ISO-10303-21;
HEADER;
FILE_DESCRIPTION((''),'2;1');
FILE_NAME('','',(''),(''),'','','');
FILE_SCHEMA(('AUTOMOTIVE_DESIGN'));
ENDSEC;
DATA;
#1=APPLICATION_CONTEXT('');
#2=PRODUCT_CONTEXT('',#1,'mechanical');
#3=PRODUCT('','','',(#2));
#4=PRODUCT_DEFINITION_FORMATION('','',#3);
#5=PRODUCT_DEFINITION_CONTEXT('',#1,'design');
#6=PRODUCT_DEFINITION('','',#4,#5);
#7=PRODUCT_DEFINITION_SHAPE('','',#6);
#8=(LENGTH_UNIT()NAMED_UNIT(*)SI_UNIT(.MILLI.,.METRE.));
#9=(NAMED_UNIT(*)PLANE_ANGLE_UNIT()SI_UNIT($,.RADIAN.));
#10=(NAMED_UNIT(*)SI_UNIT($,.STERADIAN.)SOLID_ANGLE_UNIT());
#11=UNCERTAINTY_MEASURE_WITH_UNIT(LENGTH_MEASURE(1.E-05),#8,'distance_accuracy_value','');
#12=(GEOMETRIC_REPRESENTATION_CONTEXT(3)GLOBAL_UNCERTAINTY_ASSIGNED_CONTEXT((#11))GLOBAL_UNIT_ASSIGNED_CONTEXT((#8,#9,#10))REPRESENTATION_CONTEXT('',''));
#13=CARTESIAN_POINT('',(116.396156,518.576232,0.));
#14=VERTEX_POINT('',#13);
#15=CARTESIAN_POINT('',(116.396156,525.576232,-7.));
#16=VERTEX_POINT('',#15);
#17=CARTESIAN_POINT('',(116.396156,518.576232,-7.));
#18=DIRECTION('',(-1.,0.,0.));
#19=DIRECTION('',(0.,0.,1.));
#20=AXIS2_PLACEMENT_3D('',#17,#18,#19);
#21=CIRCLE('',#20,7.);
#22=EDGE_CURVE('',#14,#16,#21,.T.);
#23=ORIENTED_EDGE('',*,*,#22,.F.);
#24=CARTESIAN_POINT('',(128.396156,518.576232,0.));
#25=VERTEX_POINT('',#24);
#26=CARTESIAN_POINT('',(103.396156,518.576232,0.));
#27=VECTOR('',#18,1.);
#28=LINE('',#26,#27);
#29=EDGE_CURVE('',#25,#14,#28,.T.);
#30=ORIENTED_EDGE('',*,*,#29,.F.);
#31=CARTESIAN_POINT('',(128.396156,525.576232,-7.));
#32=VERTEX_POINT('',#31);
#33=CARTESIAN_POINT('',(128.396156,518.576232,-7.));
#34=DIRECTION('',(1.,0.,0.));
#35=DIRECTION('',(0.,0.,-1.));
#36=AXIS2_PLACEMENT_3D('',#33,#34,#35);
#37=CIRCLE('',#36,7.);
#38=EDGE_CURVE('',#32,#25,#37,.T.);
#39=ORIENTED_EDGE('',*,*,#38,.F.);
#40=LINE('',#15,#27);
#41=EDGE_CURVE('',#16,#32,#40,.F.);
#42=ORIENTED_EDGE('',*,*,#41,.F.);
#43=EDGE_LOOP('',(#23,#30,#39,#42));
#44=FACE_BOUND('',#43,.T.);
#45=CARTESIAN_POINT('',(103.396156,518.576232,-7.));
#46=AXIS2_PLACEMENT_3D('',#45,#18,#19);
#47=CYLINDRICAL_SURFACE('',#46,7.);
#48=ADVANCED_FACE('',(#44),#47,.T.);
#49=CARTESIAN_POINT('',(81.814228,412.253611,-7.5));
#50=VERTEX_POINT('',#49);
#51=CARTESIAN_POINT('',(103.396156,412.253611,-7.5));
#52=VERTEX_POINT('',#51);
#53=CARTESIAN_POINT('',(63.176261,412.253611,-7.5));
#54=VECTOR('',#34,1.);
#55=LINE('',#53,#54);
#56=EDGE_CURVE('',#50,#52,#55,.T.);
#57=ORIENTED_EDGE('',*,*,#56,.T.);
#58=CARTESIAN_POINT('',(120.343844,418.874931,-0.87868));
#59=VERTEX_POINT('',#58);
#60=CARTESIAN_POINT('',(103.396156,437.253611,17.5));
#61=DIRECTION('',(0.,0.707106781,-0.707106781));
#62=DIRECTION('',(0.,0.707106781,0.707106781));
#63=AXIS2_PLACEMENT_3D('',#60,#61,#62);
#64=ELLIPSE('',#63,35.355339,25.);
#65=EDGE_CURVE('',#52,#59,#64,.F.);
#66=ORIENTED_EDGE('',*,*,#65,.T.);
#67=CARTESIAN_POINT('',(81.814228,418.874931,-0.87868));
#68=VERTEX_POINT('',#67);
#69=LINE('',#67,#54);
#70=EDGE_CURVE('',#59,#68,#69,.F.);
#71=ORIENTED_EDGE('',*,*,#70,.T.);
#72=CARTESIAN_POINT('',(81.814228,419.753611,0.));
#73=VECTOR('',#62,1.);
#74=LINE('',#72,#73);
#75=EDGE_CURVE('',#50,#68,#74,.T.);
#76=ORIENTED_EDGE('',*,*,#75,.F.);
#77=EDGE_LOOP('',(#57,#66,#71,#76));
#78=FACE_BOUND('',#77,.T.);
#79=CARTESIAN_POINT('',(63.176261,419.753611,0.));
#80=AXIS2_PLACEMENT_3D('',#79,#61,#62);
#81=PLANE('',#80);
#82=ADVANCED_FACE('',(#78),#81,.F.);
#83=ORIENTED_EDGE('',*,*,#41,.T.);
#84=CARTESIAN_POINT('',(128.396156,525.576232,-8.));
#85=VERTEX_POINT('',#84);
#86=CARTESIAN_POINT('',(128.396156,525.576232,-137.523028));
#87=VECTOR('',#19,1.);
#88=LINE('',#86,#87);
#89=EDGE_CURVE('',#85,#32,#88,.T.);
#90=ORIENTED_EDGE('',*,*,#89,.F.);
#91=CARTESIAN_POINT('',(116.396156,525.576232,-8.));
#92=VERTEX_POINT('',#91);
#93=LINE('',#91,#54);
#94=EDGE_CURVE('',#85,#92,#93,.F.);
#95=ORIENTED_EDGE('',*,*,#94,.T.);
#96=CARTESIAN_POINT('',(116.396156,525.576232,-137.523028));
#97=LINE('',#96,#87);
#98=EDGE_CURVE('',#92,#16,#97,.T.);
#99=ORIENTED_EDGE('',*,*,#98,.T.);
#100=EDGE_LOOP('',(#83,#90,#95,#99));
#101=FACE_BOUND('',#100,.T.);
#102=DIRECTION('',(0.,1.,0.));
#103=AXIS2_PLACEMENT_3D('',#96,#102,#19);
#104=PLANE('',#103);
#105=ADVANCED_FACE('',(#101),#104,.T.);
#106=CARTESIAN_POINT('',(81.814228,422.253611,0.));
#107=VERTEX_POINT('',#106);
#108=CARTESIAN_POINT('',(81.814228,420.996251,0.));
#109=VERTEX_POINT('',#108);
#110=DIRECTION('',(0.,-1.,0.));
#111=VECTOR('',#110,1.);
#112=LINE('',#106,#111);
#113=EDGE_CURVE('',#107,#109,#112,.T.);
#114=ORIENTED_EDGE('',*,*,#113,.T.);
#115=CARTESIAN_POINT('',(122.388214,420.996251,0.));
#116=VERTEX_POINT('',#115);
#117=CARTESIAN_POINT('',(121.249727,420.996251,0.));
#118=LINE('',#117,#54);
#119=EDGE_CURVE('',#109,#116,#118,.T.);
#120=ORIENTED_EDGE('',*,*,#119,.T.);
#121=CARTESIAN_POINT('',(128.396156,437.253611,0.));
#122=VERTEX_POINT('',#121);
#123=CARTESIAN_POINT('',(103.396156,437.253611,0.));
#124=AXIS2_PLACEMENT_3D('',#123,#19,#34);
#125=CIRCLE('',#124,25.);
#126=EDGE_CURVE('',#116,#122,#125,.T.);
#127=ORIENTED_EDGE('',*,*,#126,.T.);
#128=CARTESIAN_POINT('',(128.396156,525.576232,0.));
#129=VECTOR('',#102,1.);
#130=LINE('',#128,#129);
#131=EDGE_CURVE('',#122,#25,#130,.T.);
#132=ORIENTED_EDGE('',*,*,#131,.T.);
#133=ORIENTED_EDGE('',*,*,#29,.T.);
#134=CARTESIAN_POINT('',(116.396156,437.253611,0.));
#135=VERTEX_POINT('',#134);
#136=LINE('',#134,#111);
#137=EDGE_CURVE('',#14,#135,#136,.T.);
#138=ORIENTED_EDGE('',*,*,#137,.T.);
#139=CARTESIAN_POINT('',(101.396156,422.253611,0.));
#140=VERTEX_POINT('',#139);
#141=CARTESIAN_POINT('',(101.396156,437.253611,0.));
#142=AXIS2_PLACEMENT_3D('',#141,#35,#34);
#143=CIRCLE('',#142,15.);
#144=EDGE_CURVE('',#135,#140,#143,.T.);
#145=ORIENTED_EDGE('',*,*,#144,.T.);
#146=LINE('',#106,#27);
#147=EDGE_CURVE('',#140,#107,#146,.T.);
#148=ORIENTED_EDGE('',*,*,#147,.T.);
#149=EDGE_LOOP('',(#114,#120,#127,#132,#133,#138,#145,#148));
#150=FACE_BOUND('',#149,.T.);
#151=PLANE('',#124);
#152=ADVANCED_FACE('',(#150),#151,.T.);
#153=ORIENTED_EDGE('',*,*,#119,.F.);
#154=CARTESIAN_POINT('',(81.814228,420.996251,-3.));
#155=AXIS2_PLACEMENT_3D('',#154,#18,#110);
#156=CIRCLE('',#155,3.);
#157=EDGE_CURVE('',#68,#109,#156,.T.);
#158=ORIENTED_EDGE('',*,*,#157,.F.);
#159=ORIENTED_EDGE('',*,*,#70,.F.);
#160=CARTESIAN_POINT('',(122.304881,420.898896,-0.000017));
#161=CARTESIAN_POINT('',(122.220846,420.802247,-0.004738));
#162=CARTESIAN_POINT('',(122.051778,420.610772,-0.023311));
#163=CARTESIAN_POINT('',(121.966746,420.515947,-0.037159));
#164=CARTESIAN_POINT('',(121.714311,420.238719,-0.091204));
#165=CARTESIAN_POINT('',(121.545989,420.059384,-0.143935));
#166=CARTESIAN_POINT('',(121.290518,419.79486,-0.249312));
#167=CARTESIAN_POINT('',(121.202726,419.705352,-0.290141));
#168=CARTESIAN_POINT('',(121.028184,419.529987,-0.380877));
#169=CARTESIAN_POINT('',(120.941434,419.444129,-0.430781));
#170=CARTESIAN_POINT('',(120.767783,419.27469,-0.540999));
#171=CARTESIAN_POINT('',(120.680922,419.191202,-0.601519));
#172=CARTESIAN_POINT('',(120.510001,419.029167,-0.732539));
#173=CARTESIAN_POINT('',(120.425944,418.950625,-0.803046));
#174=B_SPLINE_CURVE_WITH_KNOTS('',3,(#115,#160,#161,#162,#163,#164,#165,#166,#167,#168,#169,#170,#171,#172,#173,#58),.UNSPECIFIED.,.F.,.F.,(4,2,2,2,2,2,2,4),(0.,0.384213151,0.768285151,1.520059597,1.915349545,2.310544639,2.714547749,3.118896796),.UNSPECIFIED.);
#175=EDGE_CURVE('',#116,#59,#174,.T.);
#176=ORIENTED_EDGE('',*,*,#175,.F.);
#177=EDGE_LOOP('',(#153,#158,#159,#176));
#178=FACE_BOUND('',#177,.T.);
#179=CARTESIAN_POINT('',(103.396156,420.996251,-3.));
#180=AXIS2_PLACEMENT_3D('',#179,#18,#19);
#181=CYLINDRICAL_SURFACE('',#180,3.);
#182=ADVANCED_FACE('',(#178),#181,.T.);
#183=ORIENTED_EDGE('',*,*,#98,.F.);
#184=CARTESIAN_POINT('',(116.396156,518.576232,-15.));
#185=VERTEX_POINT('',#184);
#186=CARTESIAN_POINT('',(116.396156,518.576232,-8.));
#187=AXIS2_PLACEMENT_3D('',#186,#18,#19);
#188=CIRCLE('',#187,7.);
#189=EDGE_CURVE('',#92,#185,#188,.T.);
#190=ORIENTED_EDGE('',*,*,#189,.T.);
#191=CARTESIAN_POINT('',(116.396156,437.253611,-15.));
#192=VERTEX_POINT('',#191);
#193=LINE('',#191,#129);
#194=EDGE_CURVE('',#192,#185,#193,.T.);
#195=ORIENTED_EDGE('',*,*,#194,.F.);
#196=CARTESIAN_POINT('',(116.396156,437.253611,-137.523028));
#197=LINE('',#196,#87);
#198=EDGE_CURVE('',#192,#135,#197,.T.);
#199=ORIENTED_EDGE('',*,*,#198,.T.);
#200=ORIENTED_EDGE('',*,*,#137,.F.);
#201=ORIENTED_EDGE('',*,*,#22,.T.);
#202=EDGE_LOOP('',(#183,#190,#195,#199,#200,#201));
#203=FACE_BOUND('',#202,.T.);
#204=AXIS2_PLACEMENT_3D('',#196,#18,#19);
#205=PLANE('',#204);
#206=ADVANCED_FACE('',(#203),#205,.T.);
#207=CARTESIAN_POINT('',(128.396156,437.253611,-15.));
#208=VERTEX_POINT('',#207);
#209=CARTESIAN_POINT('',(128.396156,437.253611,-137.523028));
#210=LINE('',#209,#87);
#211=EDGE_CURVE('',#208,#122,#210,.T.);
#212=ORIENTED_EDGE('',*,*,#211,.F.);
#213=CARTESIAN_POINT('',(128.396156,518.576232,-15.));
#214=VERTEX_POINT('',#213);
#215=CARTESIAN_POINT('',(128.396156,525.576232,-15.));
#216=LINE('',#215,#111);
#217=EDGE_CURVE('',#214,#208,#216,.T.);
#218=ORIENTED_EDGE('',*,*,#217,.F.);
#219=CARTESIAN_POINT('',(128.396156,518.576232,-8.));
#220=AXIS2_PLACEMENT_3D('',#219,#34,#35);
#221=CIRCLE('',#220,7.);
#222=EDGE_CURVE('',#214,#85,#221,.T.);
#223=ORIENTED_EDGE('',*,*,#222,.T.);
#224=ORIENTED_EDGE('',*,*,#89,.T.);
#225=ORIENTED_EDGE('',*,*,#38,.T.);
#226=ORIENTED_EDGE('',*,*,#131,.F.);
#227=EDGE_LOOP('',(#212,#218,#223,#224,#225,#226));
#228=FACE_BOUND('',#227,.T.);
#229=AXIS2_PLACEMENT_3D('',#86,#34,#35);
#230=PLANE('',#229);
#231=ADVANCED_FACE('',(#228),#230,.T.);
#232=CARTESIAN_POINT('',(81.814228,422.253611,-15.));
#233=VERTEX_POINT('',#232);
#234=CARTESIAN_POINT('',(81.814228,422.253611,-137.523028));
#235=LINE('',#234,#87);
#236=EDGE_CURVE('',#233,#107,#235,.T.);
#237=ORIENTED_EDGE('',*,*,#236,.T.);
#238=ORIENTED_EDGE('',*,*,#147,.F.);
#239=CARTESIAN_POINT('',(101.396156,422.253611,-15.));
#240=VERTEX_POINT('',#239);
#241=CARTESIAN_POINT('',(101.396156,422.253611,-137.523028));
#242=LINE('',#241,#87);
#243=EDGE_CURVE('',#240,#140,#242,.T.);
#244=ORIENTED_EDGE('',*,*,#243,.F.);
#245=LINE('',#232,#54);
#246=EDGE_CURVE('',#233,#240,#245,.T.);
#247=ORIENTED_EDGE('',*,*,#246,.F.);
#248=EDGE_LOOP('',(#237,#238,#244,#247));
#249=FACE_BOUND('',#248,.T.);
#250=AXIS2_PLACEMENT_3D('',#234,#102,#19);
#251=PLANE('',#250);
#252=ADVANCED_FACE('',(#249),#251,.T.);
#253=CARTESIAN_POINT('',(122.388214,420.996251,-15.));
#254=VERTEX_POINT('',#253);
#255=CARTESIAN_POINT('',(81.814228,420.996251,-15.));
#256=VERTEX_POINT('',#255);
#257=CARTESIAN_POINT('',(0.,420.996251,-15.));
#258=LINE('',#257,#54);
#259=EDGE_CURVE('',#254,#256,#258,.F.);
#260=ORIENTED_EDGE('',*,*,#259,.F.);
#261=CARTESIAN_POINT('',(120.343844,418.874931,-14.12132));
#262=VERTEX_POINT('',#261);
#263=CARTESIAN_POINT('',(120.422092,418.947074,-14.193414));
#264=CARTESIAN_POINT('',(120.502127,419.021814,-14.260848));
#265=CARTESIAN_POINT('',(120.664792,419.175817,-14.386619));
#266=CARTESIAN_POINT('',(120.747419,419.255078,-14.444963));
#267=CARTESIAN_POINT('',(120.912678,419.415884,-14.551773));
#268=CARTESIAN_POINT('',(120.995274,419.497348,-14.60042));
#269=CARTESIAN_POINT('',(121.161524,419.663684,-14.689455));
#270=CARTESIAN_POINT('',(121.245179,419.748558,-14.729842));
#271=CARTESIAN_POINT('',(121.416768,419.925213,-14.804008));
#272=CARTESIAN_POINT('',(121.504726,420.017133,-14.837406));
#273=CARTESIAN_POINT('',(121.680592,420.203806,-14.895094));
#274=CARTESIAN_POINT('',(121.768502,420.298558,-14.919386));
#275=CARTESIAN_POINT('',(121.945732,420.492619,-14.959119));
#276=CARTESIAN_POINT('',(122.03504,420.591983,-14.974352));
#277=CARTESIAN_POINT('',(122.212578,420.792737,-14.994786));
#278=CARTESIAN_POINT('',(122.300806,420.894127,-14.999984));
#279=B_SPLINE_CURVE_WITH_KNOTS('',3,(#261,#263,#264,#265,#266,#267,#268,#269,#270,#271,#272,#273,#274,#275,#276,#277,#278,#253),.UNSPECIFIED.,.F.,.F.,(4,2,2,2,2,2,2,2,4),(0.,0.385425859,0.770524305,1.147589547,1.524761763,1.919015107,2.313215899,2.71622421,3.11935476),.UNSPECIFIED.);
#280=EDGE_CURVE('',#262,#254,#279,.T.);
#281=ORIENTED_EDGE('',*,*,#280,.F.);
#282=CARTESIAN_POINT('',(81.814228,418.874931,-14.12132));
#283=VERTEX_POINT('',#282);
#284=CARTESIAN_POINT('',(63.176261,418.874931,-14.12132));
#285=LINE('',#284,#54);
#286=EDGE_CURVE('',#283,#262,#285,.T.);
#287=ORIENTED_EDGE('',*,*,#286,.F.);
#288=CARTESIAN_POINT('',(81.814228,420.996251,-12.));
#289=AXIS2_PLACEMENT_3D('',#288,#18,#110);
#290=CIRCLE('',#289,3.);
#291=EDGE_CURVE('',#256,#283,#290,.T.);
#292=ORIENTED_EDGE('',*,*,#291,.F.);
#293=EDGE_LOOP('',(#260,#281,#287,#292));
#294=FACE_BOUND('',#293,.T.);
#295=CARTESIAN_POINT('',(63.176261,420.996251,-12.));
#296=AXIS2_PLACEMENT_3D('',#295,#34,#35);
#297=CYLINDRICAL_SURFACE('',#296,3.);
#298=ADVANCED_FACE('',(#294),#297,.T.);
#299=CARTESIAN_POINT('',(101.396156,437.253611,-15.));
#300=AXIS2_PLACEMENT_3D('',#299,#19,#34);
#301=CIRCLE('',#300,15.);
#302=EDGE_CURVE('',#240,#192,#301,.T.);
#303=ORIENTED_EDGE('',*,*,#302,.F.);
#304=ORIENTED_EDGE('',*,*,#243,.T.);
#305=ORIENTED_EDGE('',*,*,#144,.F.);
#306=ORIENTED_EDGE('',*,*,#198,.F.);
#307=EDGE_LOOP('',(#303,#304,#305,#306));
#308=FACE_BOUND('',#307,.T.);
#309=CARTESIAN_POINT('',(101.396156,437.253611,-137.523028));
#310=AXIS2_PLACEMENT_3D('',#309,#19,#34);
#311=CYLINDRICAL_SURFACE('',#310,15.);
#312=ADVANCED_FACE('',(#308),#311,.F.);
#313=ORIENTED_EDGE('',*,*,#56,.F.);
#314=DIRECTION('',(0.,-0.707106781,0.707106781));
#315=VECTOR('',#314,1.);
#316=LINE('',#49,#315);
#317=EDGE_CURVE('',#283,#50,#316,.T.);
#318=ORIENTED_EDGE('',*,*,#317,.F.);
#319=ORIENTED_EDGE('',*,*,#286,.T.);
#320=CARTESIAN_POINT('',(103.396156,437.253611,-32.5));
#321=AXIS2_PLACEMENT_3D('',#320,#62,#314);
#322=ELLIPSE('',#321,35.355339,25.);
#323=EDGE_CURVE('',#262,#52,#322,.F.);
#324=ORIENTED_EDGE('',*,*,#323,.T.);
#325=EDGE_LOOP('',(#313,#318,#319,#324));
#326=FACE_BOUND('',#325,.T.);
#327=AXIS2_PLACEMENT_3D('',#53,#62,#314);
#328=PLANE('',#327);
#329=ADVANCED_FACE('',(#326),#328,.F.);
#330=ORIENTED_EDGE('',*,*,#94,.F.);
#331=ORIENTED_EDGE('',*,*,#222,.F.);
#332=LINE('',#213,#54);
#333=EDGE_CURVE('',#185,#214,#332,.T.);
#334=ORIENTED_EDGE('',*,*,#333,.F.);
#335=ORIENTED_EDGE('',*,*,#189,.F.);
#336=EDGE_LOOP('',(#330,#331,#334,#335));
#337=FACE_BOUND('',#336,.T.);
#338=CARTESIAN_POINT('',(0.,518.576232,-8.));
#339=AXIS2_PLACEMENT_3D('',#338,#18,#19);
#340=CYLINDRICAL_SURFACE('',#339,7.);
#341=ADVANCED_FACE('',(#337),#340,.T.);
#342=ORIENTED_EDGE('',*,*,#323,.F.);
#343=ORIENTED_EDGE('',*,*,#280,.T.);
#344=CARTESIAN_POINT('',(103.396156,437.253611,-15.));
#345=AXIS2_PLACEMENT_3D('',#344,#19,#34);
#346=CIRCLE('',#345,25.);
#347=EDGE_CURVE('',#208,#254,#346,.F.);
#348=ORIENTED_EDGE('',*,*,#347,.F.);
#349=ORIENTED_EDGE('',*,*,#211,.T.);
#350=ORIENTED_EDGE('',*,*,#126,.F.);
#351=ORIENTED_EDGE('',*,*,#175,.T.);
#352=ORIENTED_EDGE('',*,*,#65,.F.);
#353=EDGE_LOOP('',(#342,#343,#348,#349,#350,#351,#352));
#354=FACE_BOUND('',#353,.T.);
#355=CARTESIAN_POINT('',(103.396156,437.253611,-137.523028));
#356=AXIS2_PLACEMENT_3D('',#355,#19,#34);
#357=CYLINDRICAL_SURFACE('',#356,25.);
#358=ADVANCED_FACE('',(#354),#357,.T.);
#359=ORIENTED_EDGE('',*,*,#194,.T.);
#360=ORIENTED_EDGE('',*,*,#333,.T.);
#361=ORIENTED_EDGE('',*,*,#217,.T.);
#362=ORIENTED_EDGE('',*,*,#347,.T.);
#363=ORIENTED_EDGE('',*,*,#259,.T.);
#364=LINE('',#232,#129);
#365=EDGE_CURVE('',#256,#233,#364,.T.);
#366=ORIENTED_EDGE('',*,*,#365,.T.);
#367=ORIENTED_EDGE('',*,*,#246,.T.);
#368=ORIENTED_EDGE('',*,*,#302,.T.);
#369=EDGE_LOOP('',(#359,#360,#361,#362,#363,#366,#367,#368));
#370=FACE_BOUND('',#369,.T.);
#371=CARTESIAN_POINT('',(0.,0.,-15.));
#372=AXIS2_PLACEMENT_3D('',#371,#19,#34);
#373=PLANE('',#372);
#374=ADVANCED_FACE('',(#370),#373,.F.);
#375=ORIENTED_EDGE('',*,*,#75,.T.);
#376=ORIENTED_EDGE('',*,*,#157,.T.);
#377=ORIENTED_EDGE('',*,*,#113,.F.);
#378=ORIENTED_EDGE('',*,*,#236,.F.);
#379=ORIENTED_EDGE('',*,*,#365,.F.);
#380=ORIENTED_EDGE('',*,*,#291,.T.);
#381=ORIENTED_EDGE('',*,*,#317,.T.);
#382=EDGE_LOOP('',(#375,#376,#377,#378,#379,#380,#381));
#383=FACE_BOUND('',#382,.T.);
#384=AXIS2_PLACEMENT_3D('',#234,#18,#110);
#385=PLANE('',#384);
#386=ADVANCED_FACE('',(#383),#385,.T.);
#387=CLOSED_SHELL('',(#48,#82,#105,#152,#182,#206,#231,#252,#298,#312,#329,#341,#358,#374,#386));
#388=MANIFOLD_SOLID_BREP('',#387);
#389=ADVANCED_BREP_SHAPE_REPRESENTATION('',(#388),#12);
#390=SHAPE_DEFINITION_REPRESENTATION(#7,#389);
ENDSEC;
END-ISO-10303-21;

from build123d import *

# Parameters (mm, degrees)
BOSS_EXTRUDE1_DEPTH = 15
FILLET1_R           = 7
CUT_EXTRUDE1_DEPTH  = 46.581927456
FILLET2_R           = 3


with BuildPart() as part:
    # Sketch1 → Boss-Extrude1 (new body)
    with BuildSketch(Plane.XY):
        with BuildLine():
            Line((81.814228499, 422.253610621), (101.396155955, 422.253610621))
            ThreePointArc((101.396155955, 422.253610621), (112.002757673, 426.647008903), (116.396155955, 437.253610621))
            Line((116.396155955, 437.253610621), (116.396155955, 525.576232013))
            Line((116.396155955, 525.576232013), (128.396155955, 525.576232013))
            Line((128.396155955, 525.576232013), (128.396155955, 437.253610621))
            ThreePointArc((128.396155955, 437.253610621), (121.073825485, 419.575941091), (103.396155955, 412.253610621))
            Line((103.396155955, 412.253610621), (81.814228499, 412.253610621))
            Line((81.814228499, 412.253610621), (81.814228499, 422.253610621))
        make_face()
    extrude(amount=-BOSS_EXTRUDE1_DEPTH)

    # Fillet1
    fillet1_edges = [part.edges().sort_by_distance(p)[0] for p in [
        (122.396155955, 525.576232013, -15),
        (122.396155955, 525.576232013, 0),
    ]]
    fillet(fillet1_edges, radius=FILLET1_R)

    # Sketch2 → Cut-Extrude1 (cut)
    with BuildSketch(Plane(origin=(128.396155955, 0, 0), x_dir=(0, 0, -1), z_dir=(1, 0, 0))):
        Polygon((0, 419.753610621), (7.5, 412.253610621), (15, 419.753610621), (15, 408.691340296), (0, 408.691340296), align=None)
    extrude(amount=-CUT_EXTRUDE1_DEPTH, mode=Mode.SUBTRACT)

    # Fillet2
    fillet2_edges = [part.edges().sort_by_distance(p)[0] for p in [
        (101.531977763, 419.753610621, -15),
        (101.531977763, 419.753610621, 0),
    ]]
    fillet(fillet2_edges, radius=FILLET2_R)


solid = part.part
